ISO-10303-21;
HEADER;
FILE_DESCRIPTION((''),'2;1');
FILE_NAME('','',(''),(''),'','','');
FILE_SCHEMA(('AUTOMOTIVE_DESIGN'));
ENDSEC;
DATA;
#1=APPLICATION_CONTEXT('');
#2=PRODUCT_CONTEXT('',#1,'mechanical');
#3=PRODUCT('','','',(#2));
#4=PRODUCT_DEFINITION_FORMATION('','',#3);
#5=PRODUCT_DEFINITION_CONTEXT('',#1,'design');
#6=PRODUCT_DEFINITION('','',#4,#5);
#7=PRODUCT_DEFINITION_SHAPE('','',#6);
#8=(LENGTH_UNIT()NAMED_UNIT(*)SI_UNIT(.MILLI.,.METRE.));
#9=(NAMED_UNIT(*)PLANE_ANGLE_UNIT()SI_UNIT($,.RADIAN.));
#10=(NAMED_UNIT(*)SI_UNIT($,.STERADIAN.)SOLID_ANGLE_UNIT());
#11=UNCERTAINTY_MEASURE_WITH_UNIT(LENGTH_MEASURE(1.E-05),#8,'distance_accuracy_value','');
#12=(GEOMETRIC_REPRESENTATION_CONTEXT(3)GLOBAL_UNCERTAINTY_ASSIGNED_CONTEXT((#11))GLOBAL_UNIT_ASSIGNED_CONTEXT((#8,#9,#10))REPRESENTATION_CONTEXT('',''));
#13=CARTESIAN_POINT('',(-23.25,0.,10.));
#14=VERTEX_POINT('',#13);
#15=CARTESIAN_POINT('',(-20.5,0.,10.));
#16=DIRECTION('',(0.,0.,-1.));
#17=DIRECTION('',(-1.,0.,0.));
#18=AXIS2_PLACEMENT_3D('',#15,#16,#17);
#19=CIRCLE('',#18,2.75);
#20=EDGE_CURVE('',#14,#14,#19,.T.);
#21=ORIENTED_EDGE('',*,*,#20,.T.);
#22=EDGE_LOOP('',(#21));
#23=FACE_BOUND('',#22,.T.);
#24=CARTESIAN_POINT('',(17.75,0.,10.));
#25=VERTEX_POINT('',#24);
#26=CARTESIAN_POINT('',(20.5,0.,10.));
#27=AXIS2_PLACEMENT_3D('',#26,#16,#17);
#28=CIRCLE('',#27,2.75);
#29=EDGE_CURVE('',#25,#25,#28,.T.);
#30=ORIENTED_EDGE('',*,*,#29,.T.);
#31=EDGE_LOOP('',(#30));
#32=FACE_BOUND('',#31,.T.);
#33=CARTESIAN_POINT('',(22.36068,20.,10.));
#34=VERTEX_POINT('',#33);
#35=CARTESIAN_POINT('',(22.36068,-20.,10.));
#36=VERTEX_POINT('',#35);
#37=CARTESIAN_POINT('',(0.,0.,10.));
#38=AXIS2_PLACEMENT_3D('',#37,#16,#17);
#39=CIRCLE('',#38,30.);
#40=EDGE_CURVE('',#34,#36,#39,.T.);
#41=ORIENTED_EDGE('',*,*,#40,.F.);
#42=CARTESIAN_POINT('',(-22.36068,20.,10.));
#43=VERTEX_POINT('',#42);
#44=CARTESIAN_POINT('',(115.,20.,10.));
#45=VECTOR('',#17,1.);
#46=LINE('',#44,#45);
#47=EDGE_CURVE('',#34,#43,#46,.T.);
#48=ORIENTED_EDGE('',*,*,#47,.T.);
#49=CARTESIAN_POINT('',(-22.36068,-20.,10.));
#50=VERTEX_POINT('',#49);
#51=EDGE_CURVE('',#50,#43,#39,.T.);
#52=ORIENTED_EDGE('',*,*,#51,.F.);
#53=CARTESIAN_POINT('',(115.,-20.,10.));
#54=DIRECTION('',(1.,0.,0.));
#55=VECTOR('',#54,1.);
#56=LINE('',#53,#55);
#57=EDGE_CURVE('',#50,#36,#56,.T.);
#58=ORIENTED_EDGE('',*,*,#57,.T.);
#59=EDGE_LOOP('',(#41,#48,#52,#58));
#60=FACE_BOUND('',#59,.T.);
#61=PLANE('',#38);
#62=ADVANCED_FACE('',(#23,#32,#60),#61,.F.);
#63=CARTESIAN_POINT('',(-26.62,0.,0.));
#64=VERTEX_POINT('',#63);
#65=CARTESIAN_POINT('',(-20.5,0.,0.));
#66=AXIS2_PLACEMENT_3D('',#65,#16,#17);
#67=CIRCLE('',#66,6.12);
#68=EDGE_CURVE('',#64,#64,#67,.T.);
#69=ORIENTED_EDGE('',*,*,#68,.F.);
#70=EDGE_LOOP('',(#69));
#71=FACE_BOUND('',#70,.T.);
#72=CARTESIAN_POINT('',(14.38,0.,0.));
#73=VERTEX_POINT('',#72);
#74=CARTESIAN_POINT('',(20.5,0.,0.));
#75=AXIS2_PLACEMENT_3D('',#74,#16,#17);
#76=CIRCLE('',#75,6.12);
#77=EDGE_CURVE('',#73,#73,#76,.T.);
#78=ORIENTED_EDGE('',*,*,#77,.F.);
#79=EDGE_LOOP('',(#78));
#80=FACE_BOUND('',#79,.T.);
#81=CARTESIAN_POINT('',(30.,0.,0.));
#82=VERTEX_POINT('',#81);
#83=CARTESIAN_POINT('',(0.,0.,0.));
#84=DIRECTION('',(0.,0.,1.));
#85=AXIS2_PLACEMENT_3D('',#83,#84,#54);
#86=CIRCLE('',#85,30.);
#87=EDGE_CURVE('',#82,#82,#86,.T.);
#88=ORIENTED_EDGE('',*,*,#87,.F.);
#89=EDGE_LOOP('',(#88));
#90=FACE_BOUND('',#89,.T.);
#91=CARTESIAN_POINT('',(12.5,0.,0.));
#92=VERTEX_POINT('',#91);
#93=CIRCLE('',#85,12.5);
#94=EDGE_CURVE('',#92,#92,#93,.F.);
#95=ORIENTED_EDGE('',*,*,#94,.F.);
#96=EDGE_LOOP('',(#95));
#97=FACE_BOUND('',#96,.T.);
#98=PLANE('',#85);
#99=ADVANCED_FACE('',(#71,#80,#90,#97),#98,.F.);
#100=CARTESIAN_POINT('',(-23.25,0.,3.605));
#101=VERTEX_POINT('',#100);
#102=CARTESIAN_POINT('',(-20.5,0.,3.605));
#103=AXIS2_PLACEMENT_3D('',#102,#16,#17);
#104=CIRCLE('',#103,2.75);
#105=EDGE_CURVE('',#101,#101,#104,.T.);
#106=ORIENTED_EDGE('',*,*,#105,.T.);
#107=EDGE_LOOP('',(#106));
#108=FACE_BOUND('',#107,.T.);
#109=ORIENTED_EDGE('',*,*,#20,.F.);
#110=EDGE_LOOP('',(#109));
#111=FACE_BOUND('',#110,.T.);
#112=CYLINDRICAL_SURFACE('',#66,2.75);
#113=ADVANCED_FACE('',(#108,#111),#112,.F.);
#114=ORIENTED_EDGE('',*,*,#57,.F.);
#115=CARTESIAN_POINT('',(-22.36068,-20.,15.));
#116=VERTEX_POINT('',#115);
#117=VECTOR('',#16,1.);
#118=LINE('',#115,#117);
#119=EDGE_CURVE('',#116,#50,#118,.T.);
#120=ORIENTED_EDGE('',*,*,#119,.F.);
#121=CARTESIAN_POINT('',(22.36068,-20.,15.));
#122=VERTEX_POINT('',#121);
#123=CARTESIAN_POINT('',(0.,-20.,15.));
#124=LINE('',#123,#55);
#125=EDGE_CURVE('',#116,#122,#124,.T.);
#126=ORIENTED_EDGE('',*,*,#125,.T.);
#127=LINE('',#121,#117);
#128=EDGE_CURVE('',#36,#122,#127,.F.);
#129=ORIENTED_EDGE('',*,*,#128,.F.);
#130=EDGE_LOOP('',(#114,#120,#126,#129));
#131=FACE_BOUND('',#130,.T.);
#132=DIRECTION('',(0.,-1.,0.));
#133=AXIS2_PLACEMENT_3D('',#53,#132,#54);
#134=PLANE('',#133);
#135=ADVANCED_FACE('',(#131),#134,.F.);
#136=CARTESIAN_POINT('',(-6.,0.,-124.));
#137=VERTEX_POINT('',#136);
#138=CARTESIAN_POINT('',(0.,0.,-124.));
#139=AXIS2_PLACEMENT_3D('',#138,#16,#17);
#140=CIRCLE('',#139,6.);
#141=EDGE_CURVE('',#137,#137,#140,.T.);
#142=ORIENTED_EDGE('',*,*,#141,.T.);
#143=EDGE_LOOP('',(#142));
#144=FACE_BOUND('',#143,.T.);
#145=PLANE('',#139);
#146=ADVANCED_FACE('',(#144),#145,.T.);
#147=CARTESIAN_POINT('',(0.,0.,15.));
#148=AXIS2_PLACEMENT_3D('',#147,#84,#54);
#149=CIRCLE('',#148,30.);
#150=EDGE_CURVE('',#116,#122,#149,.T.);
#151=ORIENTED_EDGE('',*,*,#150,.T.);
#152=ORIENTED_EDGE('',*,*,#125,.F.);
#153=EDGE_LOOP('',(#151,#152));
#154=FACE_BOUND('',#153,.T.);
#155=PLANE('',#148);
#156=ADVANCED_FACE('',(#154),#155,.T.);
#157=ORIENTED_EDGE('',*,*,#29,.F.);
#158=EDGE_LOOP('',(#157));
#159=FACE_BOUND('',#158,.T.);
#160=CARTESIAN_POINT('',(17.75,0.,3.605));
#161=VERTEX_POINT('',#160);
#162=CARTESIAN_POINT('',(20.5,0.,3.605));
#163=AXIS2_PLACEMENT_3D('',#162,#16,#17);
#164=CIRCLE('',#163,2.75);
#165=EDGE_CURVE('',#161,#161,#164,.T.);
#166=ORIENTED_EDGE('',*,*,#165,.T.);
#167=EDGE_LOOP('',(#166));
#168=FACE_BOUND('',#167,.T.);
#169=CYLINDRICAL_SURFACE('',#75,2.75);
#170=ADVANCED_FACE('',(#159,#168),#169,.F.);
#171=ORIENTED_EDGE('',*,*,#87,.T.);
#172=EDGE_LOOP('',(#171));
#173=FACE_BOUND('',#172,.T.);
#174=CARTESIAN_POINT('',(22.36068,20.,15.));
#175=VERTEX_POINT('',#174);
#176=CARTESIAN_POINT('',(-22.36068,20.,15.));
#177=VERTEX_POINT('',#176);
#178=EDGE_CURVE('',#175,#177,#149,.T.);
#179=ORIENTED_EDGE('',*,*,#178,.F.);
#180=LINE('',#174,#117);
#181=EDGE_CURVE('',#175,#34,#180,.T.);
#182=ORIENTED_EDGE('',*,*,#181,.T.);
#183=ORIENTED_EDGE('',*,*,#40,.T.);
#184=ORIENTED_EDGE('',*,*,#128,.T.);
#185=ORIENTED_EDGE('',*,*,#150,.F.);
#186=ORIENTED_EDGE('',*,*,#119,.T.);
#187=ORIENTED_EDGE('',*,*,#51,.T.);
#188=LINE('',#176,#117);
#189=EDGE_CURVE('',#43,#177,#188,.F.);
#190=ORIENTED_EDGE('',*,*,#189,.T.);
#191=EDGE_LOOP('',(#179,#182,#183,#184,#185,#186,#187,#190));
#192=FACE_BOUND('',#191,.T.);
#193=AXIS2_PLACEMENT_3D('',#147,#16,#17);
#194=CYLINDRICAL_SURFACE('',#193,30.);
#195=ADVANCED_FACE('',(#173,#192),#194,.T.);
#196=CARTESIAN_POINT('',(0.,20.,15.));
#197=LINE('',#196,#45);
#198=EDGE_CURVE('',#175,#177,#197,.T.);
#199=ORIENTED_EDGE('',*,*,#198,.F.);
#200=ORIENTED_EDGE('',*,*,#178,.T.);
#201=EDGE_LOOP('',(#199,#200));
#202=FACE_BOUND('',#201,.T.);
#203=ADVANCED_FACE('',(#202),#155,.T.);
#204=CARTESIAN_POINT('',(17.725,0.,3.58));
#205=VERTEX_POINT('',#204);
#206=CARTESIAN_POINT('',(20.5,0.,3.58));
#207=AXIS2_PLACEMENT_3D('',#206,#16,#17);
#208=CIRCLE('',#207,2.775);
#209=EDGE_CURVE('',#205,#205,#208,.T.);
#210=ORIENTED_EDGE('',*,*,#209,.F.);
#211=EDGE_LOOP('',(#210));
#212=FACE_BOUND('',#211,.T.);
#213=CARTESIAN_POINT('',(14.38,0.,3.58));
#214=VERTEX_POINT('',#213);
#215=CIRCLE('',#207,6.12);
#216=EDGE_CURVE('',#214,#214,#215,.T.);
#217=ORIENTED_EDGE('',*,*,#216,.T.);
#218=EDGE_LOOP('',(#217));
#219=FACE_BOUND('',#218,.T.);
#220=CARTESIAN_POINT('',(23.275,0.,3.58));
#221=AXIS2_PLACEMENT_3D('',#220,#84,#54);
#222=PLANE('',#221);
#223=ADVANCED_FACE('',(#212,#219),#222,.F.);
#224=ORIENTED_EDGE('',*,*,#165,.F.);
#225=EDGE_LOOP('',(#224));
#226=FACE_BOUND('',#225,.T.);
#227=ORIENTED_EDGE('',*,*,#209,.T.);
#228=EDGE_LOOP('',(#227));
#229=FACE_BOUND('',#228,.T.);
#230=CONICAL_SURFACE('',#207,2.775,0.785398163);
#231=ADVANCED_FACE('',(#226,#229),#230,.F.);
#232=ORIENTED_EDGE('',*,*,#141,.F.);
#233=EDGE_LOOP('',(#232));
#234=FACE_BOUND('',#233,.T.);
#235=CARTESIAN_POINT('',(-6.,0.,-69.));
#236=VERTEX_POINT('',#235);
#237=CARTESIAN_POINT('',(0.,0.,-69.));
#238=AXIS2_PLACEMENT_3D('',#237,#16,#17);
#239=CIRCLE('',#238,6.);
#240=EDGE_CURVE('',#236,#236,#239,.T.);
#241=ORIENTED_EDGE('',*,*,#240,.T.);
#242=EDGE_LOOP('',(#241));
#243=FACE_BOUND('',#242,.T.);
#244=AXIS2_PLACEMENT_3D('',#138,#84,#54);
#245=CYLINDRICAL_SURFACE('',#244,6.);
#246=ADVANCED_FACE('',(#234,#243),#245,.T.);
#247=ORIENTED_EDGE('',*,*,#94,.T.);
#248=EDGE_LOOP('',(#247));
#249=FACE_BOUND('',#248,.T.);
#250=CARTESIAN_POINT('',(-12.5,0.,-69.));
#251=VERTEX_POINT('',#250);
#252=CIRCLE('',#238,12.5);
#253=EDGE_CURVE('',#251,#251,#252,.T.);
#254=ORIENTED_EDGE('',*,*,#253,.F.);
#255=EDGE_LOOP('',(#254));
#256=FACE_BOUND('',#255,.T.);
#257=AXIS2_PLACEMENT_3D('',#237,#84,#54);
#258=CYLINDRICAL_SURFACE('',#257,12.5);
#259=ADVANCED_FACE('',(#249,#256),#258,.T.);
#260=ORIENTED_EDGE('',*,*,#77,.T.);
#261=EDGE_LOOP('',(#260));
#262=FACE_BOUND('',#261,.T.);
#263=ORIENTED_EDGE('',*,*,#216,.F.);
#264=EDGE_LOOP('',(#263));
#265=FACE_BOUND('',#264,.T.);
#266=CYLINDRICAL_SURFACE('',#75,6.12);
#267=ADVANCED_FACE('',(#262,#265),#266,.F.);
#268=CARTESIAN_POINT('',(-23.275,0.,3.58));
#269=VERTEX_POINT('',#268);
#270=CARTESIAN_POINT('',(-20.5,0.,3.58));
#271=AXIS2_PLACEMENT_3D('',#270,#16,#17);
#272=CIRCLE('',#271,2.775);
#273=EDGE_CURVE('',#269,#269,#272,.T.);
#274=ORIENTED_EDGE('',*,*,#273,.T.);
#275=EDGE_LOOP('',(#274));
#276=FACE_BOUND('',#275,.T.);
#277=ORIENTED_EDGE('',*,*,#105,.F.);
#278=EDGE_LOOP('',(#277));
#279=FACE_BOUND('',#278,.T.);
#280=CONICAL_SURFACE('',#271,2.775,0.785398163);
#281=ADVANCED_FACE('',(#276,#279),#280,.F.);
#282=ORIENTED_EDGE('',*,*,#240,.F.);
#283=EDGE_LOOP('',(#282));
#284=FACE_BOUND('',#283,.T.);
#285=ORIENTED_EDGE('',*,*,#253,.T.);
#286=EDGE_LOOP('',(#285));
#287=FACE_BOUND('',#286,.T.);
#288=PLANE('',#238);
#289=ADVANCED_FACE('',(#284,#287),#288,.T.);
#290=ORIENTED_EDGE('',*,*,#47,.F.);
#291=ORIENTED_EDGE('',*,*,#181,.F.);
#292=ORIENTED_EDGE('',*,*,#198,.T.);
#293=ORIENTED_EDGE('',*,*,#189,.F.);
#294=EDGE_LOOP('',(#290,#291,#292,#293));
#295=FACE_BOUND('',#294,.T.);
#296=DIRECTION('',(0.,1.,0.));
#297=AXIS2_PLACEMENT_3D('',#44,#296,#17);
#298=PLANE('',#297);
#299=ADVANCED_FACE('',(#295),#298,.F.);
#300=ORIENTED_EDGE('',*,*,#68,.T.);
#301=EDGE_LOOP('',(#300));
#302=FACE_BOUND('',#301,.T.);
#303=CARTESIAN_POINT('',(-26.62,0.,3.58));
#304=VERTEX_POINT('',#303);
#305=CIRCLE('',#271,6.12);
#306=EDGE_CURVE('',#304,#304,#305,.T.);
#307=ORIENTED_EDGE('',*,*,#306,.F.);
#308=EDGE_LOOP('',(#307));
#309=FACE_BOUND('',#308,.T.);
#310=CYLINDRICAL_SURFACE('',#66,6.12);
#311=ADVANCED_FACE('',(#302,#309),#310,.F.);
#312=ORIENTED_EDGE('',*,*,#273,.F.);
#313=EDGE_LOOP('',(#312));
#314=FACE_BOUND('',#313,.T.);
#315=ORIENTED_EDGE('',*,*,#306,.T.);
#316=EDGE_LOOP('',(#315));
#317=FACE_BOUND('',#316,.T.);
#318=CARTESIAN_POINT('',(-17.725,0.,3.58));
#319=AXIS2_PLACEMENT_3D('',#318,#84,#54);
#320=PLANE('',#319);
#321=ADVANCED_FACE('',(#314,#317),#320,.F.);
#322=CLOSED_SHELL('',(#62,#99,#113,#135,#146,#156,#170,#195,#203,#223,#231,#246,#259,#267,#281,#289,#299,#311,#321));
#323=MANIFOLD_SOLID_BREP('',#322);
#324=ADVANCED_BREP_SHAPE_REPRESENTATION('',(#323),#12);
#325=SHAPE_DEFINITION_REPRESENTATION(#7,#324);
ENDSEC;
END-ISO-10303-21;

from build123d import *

# Parameters (mm, degrees)
ESQUISSE1_R                                = 30
BOSS_EXTRU_1_DEPTH                         = 15
ESQUISSE2_R                                = 12.5
BOSS_EXTRU_2_DEPTH                         = 69
ESQUISSE4_2_W                              = 230
ESQUISSE4_2_H                              = 40
ENL_V_MAT_EXTRU_1_DEPTH                    = 5
CHAMBRAGE_POUR_VIS_T_TE_HEXAGONALE_2_COUNT = 2
CHAMBRAGE_POUR_VIS_T_TE_HEXAGONALE_2_PITCH = 41
ESQUISSE17_R                               = 6
BOSS_EXTRU_4_DEPTH                         = 55


with BuildPart() as part:
    # Esquisse1 → Boss.-Extru.1 (new body)
    with BuildSketch(Plane.XY):
        Circle(ESQUISSE1_R)
    extrude(amount=BOSS_EXTRU_1_DEPTH)

    # Esquisse2 → Boss.-Extru.2 (add)
    with BuildSketch(Plane(origin=(0, 0, 0), x_dir=(-1, 0, 0), z_dir=(0, 0, -1))):
        Circle(ESQUISSE2_R)
    extrude(amount=BOSS_EXTRU_2_DEPTH)

    # Esquisse4<2> → Enlèv. mat.-Extru.1 (cut)
    with BuildSketch(Plane.XY.offset(15)):
        Rectangle(ESQUISSE4_2_W, ESQUISSE4_2_H)
    extrude(amount=-ENL_V_MAT_EXTRU_1_DEPTH, mode=Mode.SUBTRACT)

    # Esquisse14 → Chambrage pour vis à tête hexagonale M51 (revolve, cut)
    with BuildSketch(Plane.YZ.offset(-20.5)):
        Polygon((0, 0), (0, 15), (2.75, 15), (2.75, 3.605), (2.775, 3.58), (6.12, 3.58), (6.12, 0), align=None)
    chambrage_pour_vis_t_te_hexagonale_m51 = revolve(axis=Axis((-20.5, 0, -6.35), (0, 0, 1)), mode=Mode.SUBTRACT)

    # Chambrage pour vis _ t_te hexagonale 2: Chambrage pour vis à tête hexagonale M51 ×2
    with Locations(*[(i * CHAMBRAGE_POUR_VIS_T_TE_HEXAGONALE_2_PITCH, 0, 0) for i in range(1, CHAMBRAGE_POUR_VIS_T_TE_HEXAGONALE_2_COUNT)]):
        add(chambrage_pour_vis_t_te_hexagonale_m51, mode=Mode.SUBTRACT)

    # Esquisse17 → Boss.-Extru.4 (add)
    with BuildSketch(Plane(origin=(0, 0, -69), x_dir=(-1, 0, 0), z_dir=(0, 0, -1))):
        Circle(ESQUISSE17_R)
    extrude(amount=BOSS_EXTRU_4_DEPTH)


solid = part.part
